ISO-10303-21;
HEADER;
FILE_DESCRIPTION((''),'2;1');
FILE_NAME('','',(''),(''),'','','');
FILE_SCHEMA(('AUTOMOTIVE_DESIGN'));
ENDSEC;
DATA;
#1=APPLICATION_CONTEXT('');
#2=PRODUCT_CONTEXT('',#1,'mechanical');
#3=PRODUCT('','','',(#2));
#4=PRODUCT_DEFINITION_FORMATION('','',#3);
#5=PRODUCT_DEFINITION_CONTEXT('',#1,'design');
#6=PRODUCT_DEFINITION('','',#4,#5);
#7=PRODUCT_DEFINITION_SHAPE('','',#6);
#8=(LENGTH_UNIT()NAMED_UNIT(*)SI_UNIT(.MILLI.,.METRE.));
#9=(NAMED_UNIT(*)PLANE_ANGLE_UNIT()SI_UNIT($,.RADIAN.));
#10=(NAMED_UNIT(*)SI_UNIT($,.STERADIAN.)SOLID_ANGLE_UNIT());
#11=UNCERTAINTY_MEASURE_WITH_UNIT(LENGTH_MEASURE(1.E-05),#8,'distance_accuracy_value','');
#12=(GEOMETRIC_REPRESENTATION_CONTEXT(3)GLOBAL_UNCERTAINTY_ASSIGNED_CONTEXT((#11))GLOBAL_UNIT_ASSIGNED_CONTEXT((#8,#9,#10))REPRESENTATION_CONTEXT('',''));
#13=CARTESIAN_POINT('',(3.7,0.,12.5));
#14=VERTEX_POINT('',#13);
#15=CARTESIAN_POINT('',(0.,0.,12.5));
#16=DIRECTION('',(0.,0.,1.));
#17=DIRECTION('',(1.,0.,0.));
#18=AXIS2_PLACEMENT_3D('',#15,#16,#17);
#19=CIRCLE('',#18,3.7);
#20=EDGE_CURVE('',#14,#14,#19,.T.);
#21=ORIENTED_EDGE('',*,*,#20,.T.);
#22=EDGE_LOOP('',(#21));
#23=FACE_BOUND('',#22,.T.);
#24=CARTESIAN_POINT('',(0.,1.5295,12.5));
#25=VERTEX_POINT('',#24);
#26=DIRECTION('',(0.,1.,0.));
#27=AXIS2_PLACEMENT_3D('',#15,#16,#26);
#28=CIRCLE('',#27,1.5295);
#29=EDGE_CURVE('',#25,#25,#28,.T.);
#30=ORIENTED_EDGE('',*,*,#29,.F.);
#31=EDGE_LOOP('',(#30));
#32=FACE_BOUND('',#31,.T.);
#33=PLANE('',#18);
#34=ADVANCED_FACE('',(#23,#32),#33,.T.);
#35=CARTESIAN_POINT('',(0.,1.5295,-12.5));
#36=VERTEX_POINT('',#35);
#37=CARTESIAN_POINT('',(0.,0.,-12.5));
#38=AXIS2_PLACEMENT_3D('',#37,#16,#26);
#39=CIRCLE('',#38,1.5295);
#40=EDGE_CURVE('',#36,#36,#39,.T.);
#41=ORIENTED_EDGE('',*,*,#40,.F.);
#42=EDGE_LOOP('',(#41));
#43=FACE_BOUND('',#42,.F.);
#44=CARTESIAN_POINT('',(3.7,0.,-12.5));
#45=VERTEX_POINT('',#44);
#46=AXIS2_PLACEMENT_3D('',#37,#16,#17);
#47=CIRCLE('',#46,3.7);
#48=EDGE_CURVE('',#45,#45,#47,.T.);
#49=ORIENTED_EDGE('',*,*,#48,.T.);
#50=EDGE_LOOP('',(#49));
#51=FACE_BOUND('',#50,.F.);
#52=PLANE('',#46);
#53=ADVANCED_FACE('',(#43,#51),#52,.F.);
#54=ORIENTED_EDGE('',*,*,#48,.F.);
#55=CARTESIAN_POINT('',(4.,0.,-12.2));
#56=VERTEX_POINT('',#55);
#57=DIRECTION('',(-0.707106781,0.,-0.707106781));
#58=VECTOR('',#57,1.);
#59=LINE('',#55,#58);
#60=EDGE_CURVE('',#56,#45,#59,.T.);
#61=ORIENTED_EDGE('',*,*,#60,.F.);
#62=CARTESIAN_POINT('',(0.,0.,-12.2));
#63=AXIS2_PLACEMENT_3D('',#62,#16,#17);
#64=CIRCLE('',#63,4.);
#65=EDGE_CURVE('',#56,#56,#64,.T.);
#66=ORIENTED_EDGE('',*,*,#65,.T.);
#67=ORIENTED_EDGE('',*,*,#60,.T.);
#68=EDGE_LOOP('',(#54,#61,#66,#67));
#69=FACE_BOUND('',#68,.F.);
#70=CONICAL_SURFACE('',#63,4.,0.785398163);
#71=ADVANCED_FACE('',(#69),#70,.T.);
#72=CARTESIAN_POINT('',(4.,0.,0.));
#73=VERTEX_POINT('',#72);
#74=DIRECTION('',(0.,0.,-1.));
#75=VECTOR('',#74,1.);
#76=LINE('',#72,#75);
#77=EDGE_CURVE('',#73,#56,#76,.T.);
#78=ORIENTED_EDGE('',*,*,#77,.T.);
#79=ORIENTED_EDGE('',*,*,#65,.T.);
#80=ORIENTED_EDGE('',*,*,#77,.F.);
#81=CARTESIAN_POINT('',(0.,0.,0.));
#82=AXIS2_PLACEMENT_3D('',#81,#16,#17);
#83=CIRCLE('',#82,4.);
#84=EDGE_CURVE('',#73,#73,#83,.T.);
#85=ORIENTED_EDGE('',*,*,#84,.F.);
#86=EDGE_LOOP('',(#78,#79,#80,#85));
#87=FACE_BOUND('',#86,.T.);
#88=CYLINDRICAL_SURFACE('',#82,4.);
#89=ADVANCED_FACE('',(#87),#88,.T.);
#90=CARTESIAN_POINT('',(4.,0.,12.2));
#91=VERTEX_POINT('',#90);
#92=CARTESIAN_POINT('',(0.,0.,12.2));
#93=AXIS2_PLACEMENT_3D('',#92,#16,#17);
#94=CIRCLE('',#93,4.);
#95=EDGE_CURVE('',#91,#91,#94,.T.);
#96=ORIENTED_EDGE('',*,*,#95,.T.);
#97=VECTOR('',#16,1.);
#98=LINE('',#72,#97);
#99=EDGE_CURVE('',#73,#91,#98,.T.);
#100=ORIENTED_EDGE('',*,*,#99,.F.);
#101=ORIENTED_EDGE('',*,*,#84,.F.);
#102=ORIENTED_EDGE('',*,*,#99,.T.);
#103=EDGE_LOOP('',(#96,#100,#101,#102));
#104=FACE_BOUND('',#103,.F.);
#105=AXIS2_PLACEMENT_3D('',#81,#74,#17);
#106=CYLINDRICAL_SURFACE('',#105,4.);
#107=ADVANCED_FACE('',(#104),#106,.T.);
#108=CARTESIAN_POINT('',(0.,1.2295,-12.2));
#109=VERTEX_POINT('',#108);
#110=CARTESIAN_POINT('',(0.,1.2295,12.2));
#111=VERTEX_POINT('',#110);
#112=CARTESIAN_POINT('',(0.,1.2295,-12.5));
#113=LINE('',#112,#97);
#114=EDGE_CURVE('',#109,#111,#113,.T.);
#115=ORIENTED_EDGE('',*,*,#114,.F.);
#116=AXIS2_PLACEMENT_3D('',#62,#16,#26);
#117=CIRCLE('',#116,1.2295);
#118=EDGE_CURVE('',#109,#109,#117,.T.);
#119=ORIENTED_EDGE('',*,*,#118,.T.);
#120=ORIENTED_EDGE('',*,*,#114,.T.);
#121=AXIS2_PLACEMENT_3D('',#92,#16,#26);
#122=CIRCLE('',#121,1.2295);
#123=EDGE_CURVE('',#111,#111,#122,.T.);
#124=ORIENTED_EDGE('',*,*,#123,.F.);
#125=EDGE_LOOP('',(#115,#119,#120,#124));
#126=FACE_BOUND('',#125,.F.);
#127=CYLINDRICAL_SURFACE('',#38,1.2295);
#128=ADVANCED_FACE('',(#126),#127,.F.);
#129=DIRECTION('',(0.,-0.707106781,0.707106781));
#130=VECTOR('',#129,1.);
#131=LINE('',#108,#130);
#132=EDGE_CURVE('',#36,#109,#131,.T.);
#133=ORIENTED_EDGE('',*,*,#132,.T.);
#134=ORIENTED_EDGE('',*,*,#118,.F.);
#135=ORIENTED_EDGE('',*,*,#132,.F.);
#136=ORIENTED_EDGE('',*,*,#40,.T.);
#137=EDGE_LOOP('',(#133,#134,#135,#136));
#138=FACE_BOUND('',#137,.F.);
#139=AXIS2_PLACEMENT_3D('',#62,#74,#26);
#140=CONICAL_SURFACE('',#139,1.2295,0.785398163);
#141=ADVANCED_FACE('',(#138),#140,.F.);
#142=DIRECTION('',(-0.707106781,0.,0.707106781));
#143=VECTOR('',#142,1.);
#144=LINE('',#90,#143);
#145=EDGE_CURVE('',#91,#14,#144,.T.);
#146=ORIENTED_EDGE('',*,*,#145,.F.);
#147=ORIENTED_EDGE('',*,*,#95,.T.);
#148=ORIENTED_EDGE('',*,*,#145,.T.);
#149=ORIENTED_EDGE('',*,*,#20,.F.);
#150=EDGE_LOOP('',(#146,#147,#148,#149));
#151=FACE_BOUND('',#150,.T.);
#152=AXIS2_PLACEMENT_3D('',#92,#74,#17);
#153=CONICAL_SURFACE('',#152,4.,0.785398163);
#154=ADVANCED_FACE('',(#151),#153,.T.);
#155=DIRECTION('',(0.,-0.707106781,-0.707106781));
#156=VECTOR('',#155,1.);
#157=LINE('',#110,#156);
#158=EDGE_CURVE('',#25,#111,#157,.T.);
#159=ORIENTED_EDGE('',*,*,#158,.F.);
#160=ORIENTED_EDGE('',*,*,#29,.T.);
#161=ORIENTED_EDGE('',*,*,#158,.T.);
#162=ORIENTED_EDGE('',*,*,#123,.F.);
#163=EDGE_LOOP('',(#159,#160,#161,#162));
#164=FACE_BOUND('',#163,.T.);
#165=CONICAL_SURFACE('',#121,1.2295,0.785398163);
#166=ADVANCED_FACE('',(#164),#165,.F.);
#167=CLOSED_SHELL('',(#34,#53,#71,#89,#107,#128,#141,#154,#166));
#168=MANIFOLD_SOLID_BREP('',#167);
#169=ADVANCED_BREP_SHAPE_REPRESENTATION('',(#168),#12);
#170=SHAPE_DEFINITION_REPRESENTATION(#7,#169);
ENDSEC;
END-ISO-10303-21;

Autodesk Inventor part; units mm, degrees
ref_plane "YZ Plane" through (0, 0, 0) normal (1, 0, 0) x (0, 1, 0)
ref_plane "XZ Plane" through (0, 0, 0) normal (0, 1, 0) x (-1, 0, 0)
ref_plane "XY Plane" through (0, 0, 0) normal (0, 0, 1) x (1, 0, 0)
sketch "スケッチ1" plane through (0, 0, 0) normal (0, 0, 1) x (1, 0, 0)
  circle A0 centre (0, 0) radius 4
  dimension "d0" = 8
extrude "押し出し1" add sketch "スケッチ1" along normal mid plane 25
sketch "スケッチ2" plane through (0, 0, -12.5) normal (0, 0, -1) x (-1, 0, 0)
  point P0 (0, 0)
hole "穴1" at (0, 0, -12.5) direction (0, 0, 1) diameter 2.459 end through all thread size "M3x0.5" class "6H" standard "ISO Metric profile"
thread "ねじ1" size "M3x0.5" class "6H" standard "ANSI Metric M Profile" full length
chamfer "面取り1" distance 0.3 angle 45 4 edges at (0, -1.2295, -12.5) (-4, 0, -12.5) (0, -1.2295, 12.5) (-4, 0, 12.5)
properties part number "ラックギア側ベアリング軸" material "アルミニウム 2014-T4"
